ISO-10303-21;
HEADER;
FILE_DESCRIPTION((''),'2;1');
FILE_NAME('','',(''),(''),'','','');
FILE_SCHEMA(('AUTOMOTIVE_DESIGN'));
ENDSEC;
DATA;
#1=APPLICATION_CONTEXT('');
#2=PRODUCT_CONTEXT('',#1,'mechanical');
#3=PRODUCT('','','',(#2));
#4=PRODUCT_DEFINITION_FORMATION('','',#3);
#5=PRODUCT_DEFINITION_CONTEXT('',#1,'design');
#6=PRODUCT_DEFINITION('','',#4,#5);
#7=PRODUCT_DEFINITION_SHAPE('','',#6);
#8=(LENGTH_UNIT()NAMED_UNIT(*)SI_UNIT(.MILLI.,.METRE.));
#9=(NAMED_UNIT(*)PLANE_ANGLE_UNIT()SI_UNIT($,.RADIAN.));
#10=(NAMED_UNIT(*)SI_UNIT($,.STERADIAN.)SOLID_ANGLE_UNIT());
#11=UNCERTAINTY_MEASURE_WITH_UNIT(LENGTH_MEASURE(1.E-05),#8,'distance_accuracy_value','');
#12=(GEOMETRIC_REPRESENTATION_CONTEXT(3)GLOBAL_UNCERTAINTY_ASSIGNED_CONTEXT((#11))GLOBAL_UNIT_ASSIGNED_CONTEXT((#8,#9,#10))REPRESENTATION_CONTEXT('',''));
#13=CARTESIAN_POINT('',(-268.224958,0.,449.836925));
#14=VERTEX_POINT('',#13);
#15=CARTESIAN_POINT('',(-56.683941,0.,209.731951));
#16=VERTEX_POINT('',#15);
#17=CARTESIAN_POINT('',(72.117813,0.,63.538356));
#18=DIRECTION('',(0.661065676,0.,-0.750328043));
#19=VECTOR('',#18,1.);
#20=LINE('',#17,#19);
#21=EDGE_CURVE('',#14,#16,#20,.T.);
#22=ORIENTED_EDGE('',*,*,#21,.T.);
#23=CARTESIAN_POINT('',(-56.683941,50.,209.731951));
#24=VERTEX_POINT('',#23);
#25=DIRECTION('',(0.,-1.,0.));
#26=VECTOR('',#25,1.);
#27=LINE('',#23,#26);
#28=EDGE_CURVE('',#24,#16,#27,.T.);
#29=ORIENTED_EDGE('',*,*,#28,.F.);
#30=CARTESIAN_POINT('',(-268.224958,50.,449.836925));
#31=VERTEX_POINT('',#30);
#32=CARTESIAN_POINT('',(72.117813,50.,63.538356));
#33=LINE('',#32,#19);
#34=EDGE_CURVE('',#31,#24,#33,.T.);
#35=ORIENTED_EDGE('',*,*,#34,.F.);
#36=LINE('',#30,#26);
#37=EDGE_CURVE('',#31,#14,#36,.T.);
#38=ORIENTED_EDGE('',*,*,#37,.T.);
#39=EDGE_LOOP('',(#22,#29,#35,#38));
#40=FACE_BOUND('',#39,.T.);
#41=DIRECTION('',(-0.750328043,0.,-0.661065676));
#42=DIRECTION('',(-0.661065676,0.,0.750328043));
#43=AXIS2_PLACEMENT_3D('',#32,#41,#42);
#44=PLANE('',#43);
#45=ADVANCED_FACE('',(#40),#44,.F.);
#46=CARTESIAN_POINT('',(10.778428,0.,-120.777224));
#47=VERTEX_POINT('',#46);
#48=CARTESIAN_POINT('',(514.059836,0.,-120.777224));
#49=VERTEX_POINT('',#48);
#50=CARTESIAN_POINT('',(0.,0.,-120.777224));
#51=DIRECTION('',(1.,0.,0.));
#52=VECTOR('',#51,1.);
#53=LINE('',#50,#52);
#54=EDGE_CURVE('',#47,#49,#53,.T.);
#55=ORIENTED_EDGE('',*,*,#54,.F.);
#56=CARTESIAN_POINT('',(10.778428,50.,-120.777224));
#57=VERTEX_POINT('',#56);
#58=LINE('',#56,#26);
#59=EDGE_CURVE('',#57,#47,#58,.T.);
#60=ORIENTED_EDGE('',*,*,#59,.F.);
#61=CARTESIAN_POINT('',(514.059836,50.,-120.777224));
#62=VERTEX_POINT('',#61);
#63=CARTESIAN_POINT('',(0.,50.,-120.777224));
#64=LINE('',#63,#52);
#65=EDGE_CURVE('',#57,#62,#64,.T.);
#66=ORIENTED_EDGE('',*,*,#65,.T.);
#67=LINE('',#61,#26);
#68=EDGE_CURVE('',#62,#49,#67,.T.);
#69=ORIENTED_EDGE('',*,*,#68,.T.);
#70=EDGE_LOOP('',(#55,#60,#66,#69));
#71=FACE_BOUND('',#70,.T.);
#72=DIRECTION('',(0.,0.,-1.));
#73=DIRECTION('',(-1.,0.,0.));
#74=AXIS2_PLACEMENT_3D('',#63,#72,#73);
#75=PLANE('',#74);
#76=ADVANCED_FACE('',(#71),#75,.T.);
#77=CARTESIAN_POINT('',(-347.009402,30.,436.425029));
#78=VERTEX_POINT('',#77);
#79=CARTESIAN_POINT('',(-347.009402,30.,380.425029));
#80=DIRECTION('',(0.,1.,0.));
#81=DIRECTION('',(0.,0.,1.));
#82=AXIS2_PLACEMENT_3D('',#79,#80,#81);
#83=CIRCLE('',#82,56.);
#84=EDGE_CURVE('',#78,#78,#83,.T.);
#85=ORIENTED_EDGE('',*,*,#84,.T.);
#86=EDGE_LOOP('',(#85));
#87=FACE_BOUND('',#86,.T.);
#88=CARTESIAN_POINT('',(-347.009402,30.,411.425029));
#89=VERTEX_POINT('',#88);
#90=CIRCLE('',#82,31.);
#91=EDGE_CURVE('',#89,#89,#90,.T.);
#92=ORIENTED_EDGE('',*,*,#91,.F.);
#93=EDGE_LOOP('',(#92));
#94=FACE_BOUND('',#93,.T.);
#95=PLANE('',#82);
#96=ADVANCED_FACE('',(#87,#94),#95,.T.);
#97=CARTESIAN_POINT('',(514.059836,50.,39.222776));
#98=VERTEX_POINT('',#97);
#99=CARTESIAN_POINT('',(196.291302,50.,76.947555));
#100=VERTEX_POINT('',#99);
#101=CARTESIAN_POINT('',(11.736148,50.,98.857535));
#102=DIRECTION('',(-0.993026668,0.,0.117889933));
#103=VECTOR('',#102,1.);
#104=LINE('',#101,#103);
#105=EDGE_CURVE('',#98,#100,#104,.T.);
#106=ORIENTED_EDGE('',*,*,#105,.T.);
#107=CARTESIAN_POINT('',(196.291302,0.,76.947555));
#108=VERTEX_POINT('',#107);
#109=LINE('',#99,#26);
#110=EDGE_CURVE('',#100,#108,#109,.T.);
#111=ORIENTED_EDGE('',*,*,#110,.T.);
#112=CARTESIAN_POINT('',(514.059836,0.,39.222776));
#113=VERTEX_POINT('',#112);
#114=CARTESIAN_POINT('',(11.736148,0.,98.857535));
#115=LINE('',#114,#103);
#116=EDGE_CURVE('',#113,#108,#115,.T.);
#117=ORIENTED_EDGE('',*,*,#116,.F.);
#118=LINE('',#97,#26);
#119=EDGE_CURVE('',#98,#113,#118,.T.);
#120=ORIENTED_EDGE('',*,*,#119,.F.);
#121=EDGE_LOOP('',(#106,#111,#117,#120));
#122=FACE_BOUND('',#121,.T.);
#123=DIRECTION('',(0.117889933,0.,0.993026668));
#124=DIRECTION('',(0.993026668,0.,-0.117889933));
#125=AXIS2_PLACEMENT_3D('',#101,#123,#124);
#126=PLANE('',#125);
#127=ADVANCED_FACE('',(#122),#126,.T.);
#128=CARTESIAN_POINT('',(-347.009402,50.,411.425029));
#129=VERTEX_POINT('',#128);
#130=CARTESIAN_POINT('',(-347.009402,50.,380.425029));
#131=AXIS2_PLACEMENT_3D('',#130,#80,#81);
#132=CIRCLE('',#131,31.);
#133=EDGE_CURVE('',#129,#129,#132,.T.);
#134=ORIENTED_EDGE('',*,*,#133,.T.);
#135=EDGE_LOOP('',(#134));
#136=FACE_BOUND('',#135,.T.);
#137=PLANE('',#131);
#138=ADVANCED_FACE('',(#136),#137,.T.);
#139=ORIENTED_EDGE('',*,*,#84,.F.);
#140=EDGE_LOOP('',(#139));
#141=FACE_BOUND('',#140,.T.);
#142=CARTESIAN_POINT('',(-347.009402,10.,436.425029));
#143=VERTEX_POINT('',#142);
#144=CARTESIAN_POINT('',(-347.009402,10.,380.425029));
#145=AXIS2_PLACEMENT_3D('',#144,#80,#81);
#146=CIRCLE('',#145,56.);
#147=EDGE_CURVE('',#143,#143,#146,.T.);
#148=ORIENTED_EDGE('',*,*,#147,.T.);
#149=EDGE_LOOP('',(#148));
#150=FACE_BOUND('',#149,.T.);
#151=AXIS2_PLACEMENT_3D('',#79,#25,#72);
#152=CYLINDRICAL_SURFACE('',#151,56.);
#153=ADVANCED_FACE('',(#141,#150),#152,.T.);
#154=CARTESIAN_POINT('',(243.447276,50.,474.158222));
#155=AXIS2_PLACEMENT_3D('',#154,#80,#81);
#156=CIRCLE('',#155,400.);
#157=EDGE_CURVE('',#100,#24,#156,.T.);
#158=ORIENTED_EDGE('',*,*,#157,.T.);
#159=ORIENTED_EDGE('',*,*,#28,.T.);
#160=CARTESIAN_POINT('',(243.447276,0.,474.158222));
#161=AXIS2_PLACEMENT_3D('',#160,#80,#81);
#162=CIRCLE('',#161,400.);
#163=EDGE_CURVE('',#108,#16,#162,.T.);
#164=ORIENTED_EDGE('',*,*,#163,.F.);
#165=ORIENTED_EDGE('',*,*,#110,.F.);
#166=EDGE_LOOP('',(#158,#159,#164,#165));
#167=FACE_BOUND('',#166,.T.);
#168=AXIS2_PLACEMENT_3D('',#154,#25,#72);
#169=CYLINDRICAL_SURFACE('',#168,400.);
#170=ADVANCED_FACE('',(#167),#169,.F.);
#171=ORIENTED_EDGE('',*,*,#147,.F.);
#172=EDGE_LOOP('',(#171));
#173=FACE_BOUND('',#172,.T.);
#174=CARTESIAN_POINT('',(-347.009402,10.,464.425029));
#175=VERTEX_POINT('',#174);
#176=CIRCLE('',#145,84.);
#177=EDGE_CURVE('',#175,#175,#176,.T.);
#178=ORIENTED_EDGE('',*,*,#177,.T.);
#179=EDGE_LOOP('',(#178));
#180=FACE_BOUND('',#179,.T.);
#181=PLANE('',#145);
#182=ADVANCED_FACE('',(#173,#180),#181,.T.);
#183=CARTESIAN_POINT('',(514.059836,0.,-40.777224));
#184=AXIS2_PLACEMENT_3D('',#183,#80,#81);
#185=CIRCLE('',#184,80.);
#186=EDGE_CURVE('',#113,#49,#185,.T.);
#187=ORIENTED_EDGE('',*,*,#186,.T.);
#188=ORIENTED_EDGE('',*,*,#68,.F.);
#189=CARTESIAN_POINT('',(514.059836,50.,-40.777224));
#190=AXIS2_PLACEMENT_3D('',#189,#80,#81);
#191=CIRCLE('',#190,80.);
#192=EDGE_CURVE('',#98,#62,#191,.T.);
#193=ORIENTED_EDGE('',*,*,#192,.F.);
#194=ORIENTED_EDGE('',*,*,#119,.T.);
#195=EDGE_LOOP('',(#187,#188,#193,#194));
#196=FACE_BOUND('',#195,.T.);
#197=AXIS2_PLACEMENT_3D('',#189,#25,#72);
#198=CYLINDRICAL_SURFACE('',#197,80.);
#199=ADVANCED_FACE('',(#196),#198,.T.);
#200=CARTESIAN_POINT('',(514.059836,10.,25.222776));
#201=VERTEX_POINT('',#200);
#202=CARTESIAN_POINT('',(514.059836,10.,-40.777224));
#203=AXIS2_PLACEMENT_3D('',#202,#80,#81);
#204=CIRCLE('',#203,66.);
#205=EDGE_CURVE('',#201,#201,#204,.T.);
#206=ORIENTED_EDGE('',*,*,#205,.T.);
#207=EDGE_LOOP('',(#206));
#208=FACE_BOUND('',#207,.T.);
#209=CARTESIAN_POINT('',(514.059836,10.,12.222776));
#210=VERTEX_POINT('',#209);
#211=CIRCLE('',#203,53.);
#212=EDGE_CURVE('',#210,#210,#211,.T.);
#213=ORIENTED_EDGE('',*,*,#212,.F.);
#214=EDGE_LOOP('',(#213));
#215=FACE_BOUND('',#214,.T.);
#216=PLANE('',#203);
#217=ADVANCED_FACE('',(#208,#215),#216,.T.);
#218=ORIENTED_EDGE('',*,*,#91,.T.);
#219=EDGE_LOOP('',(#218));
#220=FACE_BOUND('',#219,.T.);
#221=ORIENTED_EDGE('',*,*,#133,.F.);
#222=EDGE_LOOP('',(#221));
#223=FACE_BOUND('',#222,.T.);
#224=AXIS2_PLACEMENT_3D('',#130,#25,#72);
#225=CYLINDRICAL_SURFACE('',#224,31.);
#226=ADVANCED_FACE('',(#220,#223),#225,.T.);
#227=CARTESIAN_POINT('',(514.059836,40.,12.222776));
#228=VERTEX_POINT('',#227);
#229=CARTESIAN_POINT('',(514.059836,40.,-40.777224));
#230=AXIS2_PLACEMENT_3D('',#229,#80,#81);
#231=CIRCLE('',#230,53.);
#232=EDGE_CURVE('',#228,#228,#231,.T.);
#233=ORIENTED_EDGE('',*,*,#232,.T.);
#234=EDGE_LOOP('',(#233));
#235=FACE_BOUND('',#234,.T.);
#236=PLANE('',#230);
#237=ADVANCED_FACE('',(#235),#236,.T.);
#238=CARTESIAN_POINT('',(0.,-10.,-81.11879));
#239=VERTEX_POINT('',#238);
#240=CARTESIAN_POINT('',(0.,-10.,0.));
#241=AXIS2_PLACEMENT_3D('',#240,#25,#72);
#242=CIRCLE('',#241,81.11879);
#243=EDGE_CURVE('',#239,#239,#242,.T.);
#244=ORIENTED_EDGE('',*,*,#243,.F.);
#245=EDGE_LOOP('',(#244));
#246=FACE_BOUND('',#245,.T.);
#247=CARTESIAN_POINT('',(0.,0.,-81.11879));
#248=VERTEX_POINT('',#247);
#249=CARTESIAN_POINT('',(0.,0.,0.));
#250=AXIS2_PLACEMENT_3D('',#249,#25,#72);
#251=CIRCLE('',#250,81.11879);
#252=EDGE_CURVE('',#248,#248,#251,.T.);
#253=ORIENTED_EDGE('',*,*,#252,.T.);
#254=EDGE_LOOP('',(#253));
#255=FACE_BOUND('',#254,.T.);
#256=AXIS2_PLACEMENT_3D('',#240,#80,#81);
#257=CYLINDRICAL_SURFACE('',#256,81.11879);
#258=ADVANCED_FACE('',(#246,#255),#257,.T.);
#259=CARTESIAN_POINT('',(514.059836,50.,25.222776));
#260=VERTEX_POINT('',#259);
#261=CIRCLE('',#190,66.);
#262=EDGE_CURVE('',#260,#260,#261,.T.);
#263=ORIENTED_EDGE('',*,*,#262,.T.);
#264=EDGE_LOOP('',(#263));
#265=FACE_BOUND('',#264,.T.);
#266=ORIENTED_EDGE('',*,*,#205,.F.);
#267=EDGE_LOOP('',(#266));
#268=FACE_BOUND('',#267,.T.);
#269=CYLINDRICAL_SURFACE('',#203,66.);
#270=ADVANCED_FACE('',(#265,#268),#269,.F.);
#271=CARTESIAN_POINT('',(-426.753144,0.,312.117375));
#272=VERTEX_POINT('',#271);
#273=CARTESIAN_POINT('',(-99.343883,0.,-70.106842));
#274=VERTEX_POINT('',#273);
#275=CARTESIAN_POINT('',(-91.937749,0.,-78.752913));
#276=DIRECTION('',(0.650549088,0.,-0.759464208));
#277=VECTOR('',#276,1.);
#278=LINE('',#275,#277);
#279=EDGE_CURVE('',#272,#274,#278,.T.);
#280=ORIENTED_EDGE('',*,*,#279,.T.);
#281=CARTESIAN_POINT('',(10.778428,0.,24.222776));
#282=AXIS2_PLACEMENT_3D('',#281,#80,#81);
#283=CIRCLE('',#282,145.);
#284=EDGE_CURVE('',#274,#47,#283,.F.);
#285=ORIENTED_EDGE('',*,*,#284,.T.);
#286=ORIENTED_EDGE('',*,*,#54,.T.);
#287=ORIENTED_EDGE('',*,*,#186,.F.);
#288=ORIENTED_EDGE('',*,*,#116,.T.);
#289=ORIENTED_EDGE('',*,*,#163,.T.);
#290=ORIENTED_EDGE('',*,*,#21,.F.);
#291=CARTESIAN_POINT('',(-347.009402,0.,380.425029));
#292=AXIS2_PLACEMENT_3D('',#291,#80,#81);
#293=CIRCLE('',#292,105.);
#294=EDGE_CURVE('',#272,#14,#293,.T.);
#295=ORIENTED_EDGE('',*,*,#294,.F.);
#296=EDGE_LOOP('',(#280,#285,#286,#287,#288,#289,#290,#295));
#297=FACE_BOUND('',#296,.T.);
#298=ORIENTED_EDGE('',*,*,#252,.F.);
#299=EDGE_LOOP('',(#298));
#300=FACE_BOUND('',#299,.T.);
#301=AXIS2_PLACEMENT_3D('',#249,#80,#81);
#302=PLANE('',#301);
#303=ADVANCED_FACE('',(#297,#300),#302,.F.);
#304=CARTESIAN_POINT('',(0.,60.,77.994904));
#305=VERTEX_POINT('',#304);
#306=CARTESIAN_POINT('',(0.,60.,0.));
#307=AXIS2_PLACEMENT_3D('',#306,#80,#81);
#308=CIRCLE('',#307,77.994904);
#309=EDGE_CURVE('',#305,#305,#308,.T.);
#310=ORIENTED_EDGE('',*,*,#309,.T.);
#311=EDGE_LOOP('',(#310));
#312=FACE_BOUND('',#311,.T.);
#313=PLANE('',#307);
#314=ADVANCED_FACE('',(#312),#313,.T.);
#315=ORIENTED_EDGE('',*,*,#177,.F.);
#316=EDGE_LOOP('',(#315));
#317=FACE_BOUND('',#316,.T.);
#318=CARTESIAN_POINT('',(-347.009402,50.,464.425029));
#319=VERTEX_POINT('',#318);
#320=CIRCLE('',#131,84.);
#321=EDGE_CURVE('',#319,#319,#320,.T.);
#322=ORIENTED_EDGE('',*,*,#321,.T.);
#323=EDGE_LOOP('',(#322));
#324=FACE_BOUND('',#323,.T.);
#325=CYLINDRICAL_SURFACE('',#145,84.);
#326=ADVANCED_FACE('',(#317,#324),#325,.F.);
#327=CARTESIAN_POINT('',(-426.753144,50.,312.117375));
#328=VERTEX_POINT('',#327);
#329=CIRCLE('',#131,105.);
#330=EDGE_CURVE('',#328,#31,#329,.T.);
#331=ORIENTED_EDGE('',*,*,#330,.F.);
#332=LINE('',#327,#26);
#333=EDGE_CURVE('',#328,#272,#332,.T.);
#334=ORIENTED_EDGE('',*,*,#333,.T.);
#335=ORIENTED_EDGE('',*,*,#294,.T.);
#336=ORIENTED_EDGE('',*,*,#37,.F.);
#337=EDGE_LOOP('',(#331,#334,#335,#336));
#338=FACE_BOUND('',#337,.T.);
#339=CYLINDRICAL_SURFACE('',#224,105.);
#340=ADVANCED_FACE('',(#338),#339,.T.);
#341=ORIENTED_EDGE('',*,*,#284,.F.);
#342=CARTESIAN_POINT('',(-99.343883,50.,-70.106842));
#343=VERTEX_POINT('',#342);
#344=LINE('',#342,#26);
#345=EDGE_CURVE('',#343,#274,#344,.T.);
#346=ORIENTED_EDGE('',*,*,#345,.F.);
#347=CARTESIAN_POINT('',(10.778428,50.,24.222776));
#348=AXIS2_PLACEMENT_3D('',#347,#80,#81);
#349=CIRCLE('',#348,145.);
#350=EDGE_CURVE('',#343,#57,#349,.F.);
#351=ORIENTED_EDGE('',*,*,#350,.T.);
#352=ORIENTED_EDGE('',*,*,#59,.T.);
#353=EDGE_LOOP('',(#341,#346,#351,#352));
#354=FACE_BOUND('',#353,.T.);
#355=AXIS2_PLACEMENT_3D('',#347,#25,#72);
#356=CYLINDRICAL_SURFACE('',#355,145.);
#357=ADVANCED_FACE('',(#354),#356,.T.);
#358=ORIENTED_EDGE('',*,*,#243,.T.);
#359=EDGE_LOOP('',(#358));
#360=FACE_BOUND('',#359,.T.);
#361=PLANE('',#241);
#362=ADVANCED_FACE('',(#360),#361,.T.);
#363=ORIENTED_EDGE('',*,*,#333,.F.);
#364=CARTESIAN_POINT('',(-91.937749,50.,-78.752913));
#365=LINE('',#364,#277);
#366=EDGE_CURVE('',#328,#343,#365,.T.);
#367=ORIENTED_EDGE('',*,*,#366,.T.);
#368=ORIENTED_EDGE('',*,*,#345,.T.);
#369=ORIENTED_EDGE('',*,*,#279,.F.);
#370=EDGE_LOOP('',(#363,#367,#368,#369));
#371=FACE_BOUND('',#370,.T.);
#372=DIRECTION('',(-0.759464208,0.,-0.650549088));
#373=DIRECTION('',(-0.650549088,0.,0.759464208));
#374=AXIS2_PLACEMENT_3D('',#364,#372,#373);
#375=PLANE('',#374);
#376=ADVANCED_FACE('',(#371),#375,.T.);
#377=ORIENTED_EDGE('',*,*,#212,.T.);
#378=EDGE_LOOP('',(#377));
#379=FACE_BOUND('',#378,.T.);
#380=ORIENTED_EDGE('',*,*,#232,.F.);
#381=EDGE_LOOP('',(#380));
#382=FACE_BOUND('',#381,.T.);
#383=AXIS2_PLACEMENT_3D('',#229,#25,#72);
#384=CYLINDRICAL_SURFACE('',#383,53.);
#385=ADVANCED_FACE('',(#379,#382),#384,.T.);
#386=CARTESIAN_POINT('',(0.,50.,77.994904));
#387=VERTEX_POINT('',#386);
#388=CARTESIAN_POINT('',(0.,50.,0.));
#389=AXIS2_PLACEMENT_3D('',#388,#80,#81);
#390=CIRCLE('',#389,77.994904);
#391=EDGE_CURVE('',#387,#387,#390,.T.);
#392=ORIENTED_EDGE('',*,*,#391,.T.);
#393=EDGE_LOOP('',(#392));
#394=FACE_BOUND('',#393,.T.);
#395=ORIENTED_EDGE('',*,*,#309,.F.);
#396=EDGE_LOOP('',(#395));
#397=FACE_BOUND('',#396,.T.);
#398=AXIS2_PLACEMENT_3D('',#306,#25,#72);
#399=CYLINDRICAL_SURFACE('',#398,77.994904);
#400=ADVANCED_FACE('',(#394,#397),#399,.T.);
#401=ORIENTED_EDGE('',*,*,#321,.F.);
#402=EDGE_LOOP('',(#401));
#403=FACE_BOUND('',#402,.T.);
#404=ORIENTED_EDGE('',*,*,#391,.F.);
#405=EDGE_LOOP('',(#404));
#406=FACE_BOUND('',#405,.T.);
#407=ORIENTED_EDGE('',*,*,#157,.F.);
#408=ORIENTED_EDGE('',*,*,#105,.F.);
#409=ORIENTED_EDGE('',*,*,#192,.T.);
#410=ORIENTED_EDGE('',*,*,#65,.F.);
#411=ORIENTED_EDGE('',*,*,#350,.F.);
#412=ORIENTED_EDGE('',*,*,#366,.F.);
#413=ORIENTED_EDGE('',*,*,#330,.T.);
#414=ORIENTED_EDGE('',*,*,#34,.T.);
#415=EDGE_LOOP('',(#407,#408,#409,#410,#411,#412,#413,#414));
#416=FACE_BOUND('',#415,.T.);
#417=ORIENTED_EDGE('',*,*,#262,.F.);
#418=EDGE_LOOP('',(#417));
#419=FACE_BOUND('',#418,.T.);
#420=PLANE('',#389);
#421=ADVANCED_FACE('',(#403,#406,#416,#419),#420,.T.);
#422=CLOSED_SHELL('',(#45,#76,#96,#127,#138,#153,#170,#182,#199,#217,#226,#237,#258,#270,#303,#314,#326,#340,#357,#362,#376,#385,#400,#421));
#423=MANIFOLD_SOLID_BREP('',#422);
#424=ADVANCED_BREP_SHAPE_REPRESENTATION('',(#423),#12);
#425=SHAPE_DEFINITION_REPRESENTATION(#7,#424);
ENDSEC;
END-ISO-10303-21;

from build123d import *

# Parameters (mm, degrees)
BOSS_EXTRUDE2_DEPTH = 50
SKETCH4_R           = 84
CUT_EXTRUDE1_DEPTH  = 40
SKETCH5_R           = 66
CUT_EXTRUDE2_DEPTH  = 40
SKETCH6_R           = 56
BOSS_EXTRUDE3_DEPTH = 20
SKETCH7_R           = 31
BOSS_EXTRUDE4_DEPTH = 20
SKETCH8_R           = 53
BOSS_EXTRUDE5_DEPTH = 30
SKETCH9_R           = 81.118790055
BOSS_EXTRUDE6_DEPTH = 10
SKETCH10_R          = 77.994904394
BOSS_EXTRUDE7_DEPTH = 10


with BuildPart() as part:
    # Sketch3 → Boss-Extrude2 (new body)
    with BuildSketch(Plane(origin=(0, 0, 0), x_dir=(1, 0, 0), z_dir=(0, 1, 0))):
        with BuildLine():
            Line((-426.753144047, -312.117374747), (-99.343882551, 70.106841813))
            ThreePointArc((-99.343882551, 70.106841813), (-49.831824853, 107.501926674), (10.778427661, 120.777224017))
            Line((10.778427661, 120.777224017), (514.059836256, 120.777224017))
            ThreePointArc((514.059836256, 120.777224017), (594.059836256, 40.777224017), (514.059836256, -39.222775983))
            Line((514.059836256, -39.222775983), (196.291302455, -76.947554654))
            ThreePointArc((196.291302455, -76.947554654), (57.544015582, -119.983155247), (-56.683941268, -209.731951378))
            Line((-56.683941268, -209.731951378), (-268.224957691, -449.836925027))
            ThreePointArc((-268.224957691, -449.836925027), (-415.870847806, -459.691045091), (-426.753144047, -312.117374747))
        make_face()
    extrude(amount=BOSS_EXTRUDE2_DEPTH)

    # Sketch4 → Cut-Extrude1 (cut)
    with BuildSketch(Plane(origin=(0, 50, 0), x_dir=(1, 0, 0), z_dir=(0, 1, 0))):
        with Locations(Location((-347.009402169, -380.425029013, 0), (0, 0, 270))):
            Circle(SKETCH4_R)
    extrude(amount=-CUT_EXTRUDE1_DEPTH, mode=Mode.SUBTRACT)

    # Sketch5 → Cut-Extrude2 (cut)
    with BuildSketch(Plane(origin=(0, 50, 0), x_dir=(1, 0, 0), z_dir=(0, 1, 0))):
        with Locations(Location((514.059836256, 40.777224017, 0), (0, 0, 270))):
            Circle(SKETCH5_R)
    extrude(amount=-CUT_EXTRUDE2_DEPTH, mode=Mode.SUBTRACT)

    # Sketch6 → Boss-Extrude3 (add)
    with BuildSketch(Plane(origin=(0, 10, 0), x_dir=(1, 0, 0), z_dir=(0, 1, 0))):
        with Locations(Location((-347.009402169, -380.425029013, 0), (0, 0, 270))):
            Circle(SKETCH6_R)
    extrude(amount=BOSS_EXTRUDE3_DEPTH)

    # Sketch7 → Boss-Extrude4 (add)
    with BuildSketch(Plane(origin=(0, 30, 0), x_dir=(1, 0, 0), z_dir=(0, 1, 0))):
        with Locations(Location((-347.009402169, -380.425029013, 0), (0, 0, 270))):
            Circle(SKETCH7_R)
    extrude(amount=BOSS_EXTRUDE4_DEPTH)

    # Sketch8 → Boss-Extrude5 (add)
    with BuildSketch(Plane(origin=(0, 10, 0), x_dir=(1, 0, 0), z_dir=(0, 1, 0))):
        with Locations(Location((514.059836256, 40.777224017, 0), (0, 0, 270))):
            Circle(SKETCH8_R)
    extrude(amount=BOSS_EXTRUDE5_DEPTH)

    # Sketch9 → Boss-Extrude6 (add)
    with BuildSketch(Plane.XZ):
        with Locations(Location((0, 0, 0), (0, 0, 270))):
            Circle(SKETCH9_R)
    extrude(amount=BOSS_EXTRUDE6_DEPTH)

    # Sketch10 → Boss-Extrude7 (add)
    with BuildSketch(Plane(origin=(0, 50, 0), x_dir=(1, 0, 0), z_dir=(0, 1, 0))):
        with Locations(Location((0, 0, 0), (0, 0, 270))):
            Circle(SKETCH10_R)
    extrude(amount=BOSS_EXTRUDE7_DEPTH)


solid = part.part
